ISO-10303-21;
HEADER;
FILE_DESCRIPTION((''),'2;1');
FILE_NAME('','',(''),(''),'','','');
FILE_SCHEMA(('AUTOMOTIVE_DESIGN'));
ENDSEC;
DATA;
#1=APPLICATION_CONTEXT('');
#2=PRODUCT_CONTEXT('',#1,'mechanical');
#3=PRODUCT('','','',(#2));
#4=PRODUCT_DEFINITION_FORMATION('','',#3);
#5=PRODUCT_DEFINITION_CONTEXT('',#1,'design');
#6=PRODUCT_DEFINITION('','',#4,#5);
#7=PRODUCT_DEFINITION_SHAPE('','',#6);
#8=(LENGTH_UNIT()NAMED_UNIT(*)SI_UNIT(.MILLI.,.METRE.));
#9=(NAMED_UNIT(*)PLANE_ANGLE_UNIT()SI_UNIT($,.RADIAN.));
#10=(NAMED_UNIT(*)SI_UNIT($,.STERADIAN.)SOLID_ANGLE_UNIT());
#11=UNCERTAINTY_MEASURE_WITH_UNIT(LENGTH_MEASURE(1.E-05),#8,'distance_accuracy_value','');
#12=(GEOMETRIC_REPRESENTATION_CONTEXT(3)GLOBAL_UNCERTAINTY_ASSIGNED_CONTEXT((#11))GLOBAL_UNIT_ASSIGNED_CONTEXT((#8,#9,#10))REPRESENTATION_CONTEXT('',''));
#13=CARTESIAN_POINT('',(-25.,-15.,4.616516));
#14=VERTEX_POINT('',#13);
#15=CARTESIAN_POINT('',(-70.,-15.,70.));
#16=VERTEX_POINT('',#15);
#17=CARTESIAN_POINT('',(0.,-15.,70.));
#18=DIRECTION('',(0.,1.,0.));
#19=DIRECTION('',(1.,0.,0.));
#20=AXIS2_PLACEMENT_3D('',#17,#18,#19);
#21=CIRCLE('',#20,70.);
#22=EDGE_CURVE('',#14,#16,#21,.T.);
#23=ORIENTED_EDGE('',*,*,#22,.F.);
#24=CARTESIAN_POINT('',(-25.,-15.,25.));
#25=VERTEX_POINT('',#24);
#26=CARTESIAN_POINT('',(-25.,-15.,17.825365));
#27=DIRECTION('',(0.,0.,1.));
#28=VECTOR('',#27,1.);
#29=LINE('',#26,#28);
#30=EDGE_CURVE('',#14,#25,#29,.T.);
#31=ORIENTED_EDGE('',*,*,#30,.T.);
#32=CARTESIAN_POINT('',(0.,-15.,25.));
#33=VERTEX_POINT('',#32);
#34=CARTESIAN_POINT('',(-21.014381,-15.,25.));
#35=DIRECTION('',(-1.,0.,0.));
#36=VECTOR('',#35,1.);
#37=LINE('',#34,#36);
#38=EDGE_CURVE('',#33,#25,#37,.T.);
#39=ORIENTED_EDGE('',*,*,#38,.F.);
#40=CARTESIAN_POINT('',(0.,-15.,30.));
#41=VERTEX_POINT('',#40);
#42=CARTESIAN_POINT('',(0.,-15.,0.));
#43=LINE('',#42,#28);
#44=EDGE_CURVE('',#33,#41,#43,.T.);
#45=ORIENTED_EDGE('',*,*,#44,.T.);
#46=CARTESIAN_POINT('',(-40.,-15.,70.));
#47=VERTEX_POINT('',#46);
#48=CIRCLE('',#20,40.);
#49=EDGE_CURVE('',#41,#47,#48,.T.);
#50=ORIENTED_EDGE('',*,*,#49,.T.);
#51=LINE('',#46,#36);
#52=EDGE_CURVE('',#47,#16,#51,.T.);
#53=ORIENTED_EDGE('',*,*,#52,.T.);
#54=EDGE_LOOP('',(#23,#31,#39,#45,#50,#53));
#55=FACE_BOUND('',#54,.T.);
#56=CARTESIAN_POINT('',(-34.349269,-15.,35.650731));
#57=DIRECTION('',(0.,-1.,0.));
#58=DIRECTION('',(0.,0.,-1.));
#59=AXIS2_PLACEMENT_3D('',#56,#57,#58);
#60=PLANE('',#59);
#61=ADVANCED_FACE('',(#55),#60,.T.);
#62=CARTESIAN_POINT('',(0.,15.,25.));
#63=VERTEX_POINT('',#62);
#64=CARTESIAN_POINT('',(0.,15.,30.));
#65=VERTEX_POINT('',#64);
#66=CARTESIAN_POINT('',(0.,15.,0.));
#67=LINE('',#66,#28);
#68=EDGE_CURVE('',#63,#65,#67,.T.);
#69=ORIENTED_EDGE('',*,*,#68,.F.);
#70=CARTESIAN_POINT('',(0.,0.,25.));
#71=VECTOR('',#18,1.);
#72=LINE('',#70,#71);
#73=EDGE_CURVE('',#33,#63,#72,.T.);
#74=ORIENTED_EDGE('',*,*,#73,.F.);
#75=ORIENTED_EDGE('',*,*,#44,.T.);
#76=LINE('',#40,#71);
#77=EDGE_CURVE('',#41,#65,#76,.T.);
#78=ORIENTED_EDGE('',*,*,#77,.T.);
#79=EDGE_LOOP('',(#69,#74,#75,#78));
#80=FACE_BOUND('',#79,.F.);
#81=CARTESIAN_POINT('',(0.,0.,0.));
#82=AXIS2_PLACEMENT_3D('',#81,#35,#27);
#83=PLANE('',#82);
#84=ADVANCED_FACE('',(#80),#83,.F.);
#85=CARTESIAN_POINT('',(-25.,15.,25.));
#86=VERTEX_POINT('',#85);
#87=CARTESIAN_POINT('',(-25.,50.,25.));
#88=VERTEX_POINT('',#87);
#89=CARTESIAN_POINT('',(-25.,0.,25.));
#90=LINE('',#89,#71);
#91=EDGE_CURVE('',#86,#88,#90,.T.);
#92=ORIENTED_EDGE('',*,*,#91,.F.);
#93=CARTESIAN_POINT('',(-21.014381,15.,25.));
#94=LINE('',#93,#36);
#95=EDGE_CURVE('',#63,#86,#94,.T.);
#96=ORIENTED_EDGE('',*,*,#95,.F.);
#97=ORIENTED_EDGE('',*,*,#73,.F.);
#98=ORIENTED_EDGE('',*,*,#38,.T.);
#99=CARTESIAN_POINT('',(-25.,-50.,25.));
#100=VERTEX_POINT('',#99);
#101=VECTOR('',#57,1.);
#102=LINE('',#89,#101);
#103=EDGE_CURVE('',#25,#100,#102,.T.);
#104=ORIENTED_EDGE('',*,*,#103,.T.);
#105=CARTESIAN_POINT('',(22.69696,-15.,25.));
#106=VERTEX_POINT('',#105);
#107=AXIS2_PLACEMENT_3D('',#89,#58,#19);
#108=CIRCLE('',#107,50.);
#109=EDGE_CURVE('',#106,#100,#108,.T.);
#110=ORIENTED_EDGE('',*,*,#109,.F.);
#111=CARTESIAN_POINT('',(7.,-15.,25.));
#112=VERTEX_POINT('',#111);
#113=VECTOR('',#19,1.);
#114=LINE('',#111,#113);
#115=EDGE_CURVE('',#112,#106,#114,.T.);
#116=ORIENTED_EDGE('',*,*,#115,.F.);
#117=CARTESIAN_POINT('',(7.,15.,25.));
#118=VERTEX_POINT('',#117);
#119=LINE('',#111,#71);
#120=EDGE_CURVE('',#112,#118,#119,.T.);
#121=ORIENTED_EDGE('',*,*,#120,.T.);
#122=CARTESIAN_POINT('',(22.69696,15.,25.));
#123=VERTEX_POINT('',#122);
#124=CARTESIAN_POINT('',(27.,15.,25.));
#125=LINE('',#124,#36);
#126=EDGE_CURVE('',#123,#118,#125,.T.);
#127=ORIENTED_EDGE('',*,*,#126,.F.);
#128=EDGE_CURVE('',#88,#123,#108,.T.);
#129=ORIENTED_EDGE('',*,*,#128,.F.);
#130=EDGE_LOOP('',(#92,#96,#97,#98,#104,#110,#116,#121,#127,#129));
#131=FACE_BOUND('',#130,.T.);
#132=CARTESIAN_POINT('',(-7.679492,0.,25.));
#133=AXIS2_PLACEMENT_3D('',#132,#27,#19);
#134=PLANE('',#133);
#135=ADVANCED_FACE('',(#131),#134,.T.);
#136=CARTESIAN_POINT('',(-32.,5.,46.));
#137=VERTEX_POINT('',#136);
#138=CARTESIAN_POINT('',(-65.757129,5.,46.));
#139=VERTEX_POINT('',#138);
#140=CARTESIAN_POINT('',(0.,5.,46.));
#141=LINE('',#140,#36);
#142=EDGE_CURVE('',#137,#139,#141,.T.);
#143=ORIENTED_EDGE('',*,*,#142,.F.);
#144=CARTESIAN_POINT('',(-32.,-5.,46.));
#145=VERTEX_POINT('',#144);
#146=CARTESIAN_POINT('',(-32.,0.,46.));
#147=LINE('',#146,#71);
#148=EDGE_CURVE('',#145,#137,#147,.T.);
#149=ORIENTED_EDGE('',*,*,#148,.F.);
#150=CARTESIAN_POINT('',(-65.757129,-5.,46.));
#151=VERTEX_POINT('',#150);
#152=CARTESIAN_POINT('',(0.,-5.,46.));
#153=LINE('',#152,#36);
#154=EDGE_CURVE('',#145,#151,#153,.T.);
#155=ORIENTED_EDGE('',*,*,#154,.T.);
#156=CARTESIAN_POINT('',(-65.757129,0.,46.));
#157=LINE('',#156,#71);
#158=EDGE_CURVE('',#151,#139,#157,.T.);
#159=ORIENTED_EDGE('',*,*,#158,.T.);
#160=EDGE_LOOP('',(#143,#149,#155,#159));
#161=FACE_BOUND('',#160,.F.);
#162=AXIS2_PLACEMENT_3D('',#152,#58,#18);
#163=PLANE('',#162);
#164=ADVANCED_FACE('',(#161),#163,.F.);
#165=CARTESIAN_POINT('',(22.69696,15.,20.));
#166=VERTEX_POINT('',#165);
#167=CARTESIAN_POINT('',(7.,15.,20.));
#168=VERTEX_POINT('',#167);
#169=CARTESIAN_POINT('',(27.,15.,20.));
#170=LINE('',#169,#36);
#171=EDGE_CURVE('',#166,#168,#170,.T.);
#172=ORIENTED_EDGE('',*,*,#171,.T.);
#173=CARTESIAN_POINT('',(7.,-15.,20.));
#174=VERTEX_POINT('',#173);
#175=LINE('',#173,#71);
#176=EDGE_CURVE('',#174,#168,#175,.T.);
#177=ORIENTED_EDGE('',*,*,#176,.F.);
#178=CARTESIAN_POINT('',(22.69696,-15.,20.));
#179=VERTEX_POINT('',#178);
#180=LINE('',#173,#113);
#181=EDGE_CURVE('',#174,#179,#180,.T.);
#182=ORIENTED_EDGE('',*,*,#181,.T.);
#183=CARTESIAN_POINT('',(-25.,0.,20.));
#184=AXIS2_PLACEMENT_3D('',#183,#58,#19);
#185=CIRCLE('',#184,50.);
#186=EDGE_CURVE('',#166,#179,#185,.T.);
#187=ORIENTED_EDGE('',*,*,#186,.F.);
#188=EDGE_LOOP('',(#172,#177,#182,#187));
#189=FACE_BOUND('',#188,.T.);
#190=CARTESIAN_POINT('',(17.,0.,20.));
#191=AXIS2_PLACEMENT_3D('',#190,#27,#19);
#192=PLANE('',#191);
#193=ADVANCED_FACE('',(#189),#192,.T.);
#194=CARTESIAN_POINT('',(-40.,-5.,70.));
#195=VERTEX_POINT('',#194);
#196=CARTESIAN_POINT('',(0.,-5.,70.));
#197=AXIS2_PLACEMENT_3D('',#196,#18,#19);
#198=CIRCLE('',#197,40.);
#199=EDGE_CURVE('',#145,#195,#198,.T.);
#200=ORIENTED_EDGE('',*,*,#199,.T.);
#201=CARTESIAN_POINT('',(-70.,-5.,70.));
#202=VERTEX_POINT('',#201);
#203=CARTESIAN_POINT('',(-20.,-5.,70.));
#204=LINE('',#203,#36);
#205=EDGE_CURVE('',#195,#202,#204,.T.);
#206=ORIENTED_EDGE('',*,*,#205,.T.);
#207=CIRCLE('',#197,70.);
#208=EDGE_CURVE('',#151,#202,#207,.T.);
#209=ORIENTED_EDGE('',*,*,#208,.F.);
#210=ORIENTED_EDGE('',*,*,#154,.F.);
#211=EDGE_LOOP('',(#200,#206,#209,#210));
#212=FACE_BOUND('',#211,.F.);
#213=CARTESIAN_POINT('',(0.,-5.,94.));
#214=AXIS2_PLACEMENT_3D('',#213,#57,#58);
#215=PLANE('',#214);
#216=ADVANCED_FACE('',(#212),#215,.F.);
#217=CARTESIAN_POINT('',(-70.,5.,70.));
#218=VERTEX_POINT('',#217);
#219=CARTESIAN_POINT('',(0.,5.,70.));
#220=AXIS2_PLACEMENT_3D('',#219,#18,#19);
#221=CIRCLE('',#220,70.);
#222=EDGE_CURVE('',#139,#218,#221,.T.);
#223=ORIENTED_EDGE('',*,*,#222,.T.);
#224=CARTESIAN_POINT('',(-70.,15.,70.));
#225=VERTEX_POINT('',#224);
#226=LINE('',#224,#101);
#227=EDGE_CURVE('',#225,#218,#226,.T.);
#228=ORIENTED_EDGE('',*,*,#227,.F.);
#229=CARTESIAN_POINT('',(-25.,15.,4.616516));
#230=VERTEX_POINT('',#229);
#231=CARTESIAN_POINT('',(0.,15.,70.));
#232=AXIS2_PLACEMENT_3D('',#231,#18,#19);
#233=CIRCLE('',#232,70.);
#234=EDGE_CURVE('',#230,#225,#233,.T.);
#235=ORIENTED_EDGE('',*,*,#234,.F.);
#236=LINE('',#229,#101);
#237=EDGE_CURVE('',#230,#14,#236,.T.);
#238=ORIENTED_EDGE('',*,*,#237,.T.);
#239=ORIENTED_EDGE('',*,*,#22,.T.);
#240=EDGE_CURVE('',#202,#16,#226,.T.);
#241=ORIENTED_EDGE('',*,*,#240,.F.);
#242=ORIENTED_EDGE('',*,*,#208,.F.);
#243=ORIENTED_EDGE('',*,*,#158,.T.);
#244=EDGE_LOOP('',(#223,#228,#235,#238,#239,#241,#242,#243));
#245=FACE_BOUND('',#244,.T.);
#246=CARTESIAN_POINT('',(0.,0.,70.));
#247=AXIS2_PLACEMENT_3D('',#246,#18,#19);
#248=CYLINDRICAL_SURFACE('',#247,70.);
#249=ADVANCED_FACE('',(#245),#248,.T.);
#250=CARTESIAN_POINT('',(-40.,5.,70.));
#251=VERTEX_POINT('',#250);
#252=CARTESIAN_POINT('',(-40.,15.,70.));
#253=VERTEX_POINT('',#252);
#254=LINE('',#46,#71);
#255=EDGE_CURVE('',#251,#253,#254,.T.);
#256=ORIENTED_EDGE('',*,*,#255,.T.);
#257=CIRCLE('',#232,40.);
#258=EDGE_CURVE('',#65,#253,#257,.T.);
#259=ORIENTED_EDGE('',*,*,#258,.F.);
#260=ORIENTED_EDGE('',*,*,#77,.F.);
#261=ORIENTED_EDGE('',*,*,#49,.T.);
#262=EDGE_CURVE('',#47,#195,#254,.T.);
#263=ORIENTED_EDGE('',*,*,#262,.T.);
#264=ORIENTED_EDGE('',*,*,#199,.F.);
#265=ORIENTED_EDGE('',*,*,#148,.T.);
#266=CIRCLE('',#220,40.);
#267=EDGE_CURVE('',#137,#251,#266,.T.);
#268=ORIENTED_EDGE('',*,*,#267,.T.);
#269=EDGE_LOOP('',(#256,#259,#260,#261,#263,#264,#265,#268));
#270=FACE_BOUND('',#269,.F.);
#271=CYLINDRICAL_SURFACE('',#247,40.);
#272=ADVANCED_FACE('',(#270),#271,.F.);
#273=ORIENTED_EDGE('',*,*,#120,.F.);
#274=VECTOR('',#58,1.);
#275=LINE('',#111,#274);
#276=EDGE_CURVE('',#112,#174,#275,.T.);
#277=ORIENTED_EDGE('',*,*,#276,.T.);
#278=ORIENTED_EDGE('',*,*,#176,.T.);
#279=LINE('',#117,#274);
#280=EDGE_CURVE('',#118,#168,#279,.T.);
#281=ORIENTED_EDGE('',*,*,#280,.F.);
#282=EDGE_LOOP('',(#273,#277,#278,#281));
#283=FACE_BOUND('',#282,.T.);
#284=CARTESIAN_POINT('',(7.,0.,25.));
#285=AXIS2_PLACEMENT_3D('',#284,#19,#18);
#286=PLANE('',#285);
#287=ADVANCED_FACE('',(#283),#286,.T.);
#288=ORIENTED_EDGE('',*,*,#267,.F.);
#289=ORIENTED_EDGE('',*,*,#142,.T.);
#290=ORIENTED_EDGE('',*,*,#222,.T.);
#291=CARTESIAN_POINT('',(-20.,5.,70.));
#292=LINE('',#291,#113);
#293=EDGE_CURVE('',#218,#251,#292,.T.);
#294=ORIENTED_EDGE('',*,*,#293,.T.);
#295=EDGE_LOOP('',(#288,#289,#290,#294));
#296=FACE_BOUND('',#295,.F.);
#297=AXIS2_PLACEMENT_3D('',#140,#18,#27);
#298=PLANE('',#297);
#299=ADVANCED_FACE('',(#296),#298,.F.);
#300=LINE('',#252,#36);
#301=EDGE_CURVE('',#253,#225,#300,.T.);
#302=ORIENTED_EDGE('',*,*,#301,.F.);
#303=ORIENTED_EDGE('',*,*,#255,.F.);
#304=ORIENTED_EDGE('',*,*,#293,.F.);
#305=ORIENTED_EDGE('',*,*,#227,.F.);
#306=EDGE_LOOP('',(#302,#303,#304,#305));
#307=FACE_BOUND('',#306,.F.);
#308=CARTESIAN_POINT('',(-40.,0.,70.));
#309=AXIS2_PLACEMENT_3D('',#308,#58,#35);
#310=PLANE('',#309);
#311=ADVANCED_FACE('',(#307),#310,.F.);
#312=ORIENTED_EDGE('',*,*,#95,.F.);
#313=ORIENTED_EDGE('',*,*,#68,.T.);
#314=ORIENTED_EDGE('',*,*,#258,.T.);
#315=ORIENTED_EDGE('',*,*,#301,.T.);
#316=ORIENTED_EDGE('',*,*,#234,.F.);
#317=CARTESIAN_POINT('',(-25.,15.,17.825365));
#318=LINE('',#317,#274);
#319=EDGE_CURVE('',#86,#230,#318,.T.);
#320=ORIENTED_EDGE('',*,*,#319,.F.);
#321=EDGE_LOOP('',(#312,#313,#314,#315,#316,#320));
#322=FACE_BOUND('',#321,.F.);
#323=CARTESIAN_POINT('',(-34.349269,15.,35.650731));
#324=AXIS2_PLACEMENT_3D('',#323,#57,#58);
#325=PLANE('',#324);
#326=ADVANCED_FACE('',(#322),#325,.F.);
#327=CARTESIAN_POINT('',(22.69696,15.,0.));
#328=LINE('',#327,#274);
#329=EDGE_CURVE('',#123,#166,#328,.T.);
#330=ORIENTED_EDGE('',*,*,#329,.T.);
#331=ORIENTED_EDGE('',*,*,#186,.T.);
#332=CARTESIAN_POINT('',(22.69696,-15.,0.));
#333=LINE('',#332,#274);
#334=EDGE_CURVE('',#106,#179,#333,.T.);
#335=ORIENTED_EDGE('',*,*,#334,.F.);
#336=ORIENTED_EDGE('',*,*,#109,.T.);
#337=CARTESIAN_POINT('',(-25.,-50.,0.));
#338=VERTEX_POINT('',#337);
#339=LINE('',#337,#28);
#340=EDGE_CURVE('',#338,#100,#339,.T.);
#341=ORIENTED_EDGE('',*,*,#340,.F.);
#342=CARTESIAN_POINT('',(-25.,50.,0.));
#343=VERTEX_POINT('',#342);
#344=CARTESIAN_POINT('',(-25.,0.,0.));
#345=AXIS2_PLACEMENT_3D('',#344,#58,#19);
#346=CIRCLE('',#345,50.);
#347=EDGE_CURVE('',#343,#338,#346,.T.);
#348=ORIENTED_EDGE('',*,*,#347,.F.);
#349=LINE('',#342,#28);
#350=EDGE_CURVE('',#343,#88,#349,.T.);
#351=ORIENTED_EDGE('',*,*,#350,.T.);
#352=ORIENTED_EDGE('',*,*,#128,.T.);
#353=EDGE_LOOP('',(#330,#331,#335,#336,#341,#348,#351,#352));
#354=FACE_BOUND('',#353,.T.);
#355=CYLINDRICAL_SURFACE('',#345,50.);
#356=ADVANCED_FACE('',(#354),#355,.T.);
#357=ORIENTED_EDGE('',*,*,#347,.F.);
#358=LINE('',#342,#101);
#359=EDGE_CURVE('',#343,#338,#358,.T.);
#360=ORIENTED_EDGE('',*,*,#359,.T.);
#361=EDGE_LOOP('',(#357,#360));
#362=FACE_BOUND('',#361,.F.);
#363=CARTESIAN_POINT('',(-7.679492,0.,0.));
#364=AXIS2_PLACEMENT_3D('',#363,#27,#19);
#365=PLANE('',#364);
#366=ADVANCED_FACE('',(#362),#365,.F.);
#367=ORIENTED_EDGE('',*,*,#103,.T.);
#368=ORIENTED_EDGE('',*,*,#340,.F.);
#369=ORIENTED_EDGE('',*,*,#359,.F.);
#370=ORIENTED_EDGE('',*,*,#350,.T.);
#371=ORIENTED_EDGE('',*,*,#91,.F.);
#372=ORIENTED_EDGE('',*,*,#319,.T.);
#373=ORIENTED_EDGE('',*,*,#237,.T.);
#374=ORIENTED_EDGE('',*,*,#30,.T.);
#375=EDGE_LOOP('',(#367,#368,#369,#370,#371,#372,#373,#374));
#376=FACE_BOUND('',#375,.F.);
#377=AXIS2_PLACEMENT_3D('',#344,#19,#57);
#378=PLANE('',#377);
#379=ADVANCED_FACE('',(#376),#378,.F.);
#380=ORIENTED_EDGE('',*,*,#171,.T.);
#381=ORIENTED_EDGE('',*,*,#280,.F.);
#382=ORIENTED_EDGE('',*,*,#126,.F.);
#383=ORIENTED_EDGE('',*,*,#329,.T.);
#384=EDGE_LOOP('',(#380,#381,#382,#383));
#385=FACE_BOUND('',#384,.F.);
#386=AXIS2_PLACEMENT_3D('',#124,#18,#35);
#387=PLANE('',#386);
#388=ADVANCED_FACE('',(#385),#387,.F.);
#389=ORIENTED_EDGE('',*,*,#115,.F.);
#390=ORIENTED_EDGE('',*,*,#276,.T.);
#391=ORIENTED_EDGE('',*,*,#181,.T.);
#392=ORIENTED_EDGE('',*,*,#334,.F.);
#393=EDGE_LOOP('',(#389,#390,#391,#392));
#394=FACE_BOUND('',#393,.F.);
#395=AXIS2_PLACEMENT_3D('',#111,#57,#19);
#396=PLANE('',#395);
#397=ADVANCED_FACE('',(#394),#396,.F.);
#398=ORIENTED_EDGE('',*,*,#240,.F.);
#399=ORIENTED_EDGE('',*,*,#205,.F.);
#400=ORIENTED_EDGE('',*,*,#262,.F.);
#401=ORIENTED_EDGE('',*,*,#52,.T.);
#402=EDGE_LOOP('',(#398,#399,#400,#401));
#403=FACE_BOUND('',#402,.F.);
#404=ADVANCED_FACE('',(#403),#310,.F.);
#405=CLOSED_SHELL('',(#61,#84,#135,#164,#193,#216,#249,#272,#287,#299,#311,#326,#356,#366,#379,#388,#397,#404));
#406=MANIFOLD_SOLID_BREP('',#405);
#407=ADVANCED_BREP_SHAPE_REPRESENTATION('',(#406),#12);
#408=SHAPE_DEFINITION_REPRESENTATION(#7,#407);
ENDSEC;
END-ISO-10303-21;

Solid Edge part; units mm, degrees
sketch "Sketch1" plane through (0, 0, 0) normal (0, -1, 0) x (1, 0, 0)
  line L0 (-40, 70) -> (-70, 70)
  line L1 (0, 0) -> (0, 30)
  arc A0 (0, 30) -> (-40, 70) centre (0, 70) cw
  arc A1 (0, 0) -> (-70, 70) centre (0, 70) cw
extrude "Protrusion1" add sketch "Sketch1" along normal mid plane 30
sketch "Sketch2" plane through (0, 0, 0) normal (1, 0, 0) x (0, 1, 0)
  line L0 (5, 94) -> (-5, 94)
  line L1 (-5, 94) -> (-5, 46)
  line L2 (-5, 46) -> (5, 46)
  line L3 (5, 46) -> (5, 94)
extrude "ExtrudedCutout_1" cut sketch "Sketch2" against normal blind 70
sketch "Sketch3" plane through (0, 0, 0) normal (0, 0, 1) x (1, 0, 0)
  line L0 (-25, 0) -> (-25, -50)
  line L1 (-25, 0) -> (-25, 50)
  arc A0 (-25, 50) -> (-25, -50) centre (-25, 0) cw
extrude "ExtrudedProtrusion_2" add sketch "Sketch3" along normal blind 25
sketch "Sketch4" plane through (0, 0, 25) normal (0, 0, 1) x (0, 1, 0)
  line L0 (-15, -27) -> (15, -27)
  line L1 (15, -27) -> (15, -7)
  line L2 (0, -7) -> (15, -7)
  line L3 (0, -7) -> (-15, -7)
  line L4 (-15, -7) -> (-15, -27)
extrude "ExtrudedCutout_2" cut sketch "Sketch4" against normal blind 5
